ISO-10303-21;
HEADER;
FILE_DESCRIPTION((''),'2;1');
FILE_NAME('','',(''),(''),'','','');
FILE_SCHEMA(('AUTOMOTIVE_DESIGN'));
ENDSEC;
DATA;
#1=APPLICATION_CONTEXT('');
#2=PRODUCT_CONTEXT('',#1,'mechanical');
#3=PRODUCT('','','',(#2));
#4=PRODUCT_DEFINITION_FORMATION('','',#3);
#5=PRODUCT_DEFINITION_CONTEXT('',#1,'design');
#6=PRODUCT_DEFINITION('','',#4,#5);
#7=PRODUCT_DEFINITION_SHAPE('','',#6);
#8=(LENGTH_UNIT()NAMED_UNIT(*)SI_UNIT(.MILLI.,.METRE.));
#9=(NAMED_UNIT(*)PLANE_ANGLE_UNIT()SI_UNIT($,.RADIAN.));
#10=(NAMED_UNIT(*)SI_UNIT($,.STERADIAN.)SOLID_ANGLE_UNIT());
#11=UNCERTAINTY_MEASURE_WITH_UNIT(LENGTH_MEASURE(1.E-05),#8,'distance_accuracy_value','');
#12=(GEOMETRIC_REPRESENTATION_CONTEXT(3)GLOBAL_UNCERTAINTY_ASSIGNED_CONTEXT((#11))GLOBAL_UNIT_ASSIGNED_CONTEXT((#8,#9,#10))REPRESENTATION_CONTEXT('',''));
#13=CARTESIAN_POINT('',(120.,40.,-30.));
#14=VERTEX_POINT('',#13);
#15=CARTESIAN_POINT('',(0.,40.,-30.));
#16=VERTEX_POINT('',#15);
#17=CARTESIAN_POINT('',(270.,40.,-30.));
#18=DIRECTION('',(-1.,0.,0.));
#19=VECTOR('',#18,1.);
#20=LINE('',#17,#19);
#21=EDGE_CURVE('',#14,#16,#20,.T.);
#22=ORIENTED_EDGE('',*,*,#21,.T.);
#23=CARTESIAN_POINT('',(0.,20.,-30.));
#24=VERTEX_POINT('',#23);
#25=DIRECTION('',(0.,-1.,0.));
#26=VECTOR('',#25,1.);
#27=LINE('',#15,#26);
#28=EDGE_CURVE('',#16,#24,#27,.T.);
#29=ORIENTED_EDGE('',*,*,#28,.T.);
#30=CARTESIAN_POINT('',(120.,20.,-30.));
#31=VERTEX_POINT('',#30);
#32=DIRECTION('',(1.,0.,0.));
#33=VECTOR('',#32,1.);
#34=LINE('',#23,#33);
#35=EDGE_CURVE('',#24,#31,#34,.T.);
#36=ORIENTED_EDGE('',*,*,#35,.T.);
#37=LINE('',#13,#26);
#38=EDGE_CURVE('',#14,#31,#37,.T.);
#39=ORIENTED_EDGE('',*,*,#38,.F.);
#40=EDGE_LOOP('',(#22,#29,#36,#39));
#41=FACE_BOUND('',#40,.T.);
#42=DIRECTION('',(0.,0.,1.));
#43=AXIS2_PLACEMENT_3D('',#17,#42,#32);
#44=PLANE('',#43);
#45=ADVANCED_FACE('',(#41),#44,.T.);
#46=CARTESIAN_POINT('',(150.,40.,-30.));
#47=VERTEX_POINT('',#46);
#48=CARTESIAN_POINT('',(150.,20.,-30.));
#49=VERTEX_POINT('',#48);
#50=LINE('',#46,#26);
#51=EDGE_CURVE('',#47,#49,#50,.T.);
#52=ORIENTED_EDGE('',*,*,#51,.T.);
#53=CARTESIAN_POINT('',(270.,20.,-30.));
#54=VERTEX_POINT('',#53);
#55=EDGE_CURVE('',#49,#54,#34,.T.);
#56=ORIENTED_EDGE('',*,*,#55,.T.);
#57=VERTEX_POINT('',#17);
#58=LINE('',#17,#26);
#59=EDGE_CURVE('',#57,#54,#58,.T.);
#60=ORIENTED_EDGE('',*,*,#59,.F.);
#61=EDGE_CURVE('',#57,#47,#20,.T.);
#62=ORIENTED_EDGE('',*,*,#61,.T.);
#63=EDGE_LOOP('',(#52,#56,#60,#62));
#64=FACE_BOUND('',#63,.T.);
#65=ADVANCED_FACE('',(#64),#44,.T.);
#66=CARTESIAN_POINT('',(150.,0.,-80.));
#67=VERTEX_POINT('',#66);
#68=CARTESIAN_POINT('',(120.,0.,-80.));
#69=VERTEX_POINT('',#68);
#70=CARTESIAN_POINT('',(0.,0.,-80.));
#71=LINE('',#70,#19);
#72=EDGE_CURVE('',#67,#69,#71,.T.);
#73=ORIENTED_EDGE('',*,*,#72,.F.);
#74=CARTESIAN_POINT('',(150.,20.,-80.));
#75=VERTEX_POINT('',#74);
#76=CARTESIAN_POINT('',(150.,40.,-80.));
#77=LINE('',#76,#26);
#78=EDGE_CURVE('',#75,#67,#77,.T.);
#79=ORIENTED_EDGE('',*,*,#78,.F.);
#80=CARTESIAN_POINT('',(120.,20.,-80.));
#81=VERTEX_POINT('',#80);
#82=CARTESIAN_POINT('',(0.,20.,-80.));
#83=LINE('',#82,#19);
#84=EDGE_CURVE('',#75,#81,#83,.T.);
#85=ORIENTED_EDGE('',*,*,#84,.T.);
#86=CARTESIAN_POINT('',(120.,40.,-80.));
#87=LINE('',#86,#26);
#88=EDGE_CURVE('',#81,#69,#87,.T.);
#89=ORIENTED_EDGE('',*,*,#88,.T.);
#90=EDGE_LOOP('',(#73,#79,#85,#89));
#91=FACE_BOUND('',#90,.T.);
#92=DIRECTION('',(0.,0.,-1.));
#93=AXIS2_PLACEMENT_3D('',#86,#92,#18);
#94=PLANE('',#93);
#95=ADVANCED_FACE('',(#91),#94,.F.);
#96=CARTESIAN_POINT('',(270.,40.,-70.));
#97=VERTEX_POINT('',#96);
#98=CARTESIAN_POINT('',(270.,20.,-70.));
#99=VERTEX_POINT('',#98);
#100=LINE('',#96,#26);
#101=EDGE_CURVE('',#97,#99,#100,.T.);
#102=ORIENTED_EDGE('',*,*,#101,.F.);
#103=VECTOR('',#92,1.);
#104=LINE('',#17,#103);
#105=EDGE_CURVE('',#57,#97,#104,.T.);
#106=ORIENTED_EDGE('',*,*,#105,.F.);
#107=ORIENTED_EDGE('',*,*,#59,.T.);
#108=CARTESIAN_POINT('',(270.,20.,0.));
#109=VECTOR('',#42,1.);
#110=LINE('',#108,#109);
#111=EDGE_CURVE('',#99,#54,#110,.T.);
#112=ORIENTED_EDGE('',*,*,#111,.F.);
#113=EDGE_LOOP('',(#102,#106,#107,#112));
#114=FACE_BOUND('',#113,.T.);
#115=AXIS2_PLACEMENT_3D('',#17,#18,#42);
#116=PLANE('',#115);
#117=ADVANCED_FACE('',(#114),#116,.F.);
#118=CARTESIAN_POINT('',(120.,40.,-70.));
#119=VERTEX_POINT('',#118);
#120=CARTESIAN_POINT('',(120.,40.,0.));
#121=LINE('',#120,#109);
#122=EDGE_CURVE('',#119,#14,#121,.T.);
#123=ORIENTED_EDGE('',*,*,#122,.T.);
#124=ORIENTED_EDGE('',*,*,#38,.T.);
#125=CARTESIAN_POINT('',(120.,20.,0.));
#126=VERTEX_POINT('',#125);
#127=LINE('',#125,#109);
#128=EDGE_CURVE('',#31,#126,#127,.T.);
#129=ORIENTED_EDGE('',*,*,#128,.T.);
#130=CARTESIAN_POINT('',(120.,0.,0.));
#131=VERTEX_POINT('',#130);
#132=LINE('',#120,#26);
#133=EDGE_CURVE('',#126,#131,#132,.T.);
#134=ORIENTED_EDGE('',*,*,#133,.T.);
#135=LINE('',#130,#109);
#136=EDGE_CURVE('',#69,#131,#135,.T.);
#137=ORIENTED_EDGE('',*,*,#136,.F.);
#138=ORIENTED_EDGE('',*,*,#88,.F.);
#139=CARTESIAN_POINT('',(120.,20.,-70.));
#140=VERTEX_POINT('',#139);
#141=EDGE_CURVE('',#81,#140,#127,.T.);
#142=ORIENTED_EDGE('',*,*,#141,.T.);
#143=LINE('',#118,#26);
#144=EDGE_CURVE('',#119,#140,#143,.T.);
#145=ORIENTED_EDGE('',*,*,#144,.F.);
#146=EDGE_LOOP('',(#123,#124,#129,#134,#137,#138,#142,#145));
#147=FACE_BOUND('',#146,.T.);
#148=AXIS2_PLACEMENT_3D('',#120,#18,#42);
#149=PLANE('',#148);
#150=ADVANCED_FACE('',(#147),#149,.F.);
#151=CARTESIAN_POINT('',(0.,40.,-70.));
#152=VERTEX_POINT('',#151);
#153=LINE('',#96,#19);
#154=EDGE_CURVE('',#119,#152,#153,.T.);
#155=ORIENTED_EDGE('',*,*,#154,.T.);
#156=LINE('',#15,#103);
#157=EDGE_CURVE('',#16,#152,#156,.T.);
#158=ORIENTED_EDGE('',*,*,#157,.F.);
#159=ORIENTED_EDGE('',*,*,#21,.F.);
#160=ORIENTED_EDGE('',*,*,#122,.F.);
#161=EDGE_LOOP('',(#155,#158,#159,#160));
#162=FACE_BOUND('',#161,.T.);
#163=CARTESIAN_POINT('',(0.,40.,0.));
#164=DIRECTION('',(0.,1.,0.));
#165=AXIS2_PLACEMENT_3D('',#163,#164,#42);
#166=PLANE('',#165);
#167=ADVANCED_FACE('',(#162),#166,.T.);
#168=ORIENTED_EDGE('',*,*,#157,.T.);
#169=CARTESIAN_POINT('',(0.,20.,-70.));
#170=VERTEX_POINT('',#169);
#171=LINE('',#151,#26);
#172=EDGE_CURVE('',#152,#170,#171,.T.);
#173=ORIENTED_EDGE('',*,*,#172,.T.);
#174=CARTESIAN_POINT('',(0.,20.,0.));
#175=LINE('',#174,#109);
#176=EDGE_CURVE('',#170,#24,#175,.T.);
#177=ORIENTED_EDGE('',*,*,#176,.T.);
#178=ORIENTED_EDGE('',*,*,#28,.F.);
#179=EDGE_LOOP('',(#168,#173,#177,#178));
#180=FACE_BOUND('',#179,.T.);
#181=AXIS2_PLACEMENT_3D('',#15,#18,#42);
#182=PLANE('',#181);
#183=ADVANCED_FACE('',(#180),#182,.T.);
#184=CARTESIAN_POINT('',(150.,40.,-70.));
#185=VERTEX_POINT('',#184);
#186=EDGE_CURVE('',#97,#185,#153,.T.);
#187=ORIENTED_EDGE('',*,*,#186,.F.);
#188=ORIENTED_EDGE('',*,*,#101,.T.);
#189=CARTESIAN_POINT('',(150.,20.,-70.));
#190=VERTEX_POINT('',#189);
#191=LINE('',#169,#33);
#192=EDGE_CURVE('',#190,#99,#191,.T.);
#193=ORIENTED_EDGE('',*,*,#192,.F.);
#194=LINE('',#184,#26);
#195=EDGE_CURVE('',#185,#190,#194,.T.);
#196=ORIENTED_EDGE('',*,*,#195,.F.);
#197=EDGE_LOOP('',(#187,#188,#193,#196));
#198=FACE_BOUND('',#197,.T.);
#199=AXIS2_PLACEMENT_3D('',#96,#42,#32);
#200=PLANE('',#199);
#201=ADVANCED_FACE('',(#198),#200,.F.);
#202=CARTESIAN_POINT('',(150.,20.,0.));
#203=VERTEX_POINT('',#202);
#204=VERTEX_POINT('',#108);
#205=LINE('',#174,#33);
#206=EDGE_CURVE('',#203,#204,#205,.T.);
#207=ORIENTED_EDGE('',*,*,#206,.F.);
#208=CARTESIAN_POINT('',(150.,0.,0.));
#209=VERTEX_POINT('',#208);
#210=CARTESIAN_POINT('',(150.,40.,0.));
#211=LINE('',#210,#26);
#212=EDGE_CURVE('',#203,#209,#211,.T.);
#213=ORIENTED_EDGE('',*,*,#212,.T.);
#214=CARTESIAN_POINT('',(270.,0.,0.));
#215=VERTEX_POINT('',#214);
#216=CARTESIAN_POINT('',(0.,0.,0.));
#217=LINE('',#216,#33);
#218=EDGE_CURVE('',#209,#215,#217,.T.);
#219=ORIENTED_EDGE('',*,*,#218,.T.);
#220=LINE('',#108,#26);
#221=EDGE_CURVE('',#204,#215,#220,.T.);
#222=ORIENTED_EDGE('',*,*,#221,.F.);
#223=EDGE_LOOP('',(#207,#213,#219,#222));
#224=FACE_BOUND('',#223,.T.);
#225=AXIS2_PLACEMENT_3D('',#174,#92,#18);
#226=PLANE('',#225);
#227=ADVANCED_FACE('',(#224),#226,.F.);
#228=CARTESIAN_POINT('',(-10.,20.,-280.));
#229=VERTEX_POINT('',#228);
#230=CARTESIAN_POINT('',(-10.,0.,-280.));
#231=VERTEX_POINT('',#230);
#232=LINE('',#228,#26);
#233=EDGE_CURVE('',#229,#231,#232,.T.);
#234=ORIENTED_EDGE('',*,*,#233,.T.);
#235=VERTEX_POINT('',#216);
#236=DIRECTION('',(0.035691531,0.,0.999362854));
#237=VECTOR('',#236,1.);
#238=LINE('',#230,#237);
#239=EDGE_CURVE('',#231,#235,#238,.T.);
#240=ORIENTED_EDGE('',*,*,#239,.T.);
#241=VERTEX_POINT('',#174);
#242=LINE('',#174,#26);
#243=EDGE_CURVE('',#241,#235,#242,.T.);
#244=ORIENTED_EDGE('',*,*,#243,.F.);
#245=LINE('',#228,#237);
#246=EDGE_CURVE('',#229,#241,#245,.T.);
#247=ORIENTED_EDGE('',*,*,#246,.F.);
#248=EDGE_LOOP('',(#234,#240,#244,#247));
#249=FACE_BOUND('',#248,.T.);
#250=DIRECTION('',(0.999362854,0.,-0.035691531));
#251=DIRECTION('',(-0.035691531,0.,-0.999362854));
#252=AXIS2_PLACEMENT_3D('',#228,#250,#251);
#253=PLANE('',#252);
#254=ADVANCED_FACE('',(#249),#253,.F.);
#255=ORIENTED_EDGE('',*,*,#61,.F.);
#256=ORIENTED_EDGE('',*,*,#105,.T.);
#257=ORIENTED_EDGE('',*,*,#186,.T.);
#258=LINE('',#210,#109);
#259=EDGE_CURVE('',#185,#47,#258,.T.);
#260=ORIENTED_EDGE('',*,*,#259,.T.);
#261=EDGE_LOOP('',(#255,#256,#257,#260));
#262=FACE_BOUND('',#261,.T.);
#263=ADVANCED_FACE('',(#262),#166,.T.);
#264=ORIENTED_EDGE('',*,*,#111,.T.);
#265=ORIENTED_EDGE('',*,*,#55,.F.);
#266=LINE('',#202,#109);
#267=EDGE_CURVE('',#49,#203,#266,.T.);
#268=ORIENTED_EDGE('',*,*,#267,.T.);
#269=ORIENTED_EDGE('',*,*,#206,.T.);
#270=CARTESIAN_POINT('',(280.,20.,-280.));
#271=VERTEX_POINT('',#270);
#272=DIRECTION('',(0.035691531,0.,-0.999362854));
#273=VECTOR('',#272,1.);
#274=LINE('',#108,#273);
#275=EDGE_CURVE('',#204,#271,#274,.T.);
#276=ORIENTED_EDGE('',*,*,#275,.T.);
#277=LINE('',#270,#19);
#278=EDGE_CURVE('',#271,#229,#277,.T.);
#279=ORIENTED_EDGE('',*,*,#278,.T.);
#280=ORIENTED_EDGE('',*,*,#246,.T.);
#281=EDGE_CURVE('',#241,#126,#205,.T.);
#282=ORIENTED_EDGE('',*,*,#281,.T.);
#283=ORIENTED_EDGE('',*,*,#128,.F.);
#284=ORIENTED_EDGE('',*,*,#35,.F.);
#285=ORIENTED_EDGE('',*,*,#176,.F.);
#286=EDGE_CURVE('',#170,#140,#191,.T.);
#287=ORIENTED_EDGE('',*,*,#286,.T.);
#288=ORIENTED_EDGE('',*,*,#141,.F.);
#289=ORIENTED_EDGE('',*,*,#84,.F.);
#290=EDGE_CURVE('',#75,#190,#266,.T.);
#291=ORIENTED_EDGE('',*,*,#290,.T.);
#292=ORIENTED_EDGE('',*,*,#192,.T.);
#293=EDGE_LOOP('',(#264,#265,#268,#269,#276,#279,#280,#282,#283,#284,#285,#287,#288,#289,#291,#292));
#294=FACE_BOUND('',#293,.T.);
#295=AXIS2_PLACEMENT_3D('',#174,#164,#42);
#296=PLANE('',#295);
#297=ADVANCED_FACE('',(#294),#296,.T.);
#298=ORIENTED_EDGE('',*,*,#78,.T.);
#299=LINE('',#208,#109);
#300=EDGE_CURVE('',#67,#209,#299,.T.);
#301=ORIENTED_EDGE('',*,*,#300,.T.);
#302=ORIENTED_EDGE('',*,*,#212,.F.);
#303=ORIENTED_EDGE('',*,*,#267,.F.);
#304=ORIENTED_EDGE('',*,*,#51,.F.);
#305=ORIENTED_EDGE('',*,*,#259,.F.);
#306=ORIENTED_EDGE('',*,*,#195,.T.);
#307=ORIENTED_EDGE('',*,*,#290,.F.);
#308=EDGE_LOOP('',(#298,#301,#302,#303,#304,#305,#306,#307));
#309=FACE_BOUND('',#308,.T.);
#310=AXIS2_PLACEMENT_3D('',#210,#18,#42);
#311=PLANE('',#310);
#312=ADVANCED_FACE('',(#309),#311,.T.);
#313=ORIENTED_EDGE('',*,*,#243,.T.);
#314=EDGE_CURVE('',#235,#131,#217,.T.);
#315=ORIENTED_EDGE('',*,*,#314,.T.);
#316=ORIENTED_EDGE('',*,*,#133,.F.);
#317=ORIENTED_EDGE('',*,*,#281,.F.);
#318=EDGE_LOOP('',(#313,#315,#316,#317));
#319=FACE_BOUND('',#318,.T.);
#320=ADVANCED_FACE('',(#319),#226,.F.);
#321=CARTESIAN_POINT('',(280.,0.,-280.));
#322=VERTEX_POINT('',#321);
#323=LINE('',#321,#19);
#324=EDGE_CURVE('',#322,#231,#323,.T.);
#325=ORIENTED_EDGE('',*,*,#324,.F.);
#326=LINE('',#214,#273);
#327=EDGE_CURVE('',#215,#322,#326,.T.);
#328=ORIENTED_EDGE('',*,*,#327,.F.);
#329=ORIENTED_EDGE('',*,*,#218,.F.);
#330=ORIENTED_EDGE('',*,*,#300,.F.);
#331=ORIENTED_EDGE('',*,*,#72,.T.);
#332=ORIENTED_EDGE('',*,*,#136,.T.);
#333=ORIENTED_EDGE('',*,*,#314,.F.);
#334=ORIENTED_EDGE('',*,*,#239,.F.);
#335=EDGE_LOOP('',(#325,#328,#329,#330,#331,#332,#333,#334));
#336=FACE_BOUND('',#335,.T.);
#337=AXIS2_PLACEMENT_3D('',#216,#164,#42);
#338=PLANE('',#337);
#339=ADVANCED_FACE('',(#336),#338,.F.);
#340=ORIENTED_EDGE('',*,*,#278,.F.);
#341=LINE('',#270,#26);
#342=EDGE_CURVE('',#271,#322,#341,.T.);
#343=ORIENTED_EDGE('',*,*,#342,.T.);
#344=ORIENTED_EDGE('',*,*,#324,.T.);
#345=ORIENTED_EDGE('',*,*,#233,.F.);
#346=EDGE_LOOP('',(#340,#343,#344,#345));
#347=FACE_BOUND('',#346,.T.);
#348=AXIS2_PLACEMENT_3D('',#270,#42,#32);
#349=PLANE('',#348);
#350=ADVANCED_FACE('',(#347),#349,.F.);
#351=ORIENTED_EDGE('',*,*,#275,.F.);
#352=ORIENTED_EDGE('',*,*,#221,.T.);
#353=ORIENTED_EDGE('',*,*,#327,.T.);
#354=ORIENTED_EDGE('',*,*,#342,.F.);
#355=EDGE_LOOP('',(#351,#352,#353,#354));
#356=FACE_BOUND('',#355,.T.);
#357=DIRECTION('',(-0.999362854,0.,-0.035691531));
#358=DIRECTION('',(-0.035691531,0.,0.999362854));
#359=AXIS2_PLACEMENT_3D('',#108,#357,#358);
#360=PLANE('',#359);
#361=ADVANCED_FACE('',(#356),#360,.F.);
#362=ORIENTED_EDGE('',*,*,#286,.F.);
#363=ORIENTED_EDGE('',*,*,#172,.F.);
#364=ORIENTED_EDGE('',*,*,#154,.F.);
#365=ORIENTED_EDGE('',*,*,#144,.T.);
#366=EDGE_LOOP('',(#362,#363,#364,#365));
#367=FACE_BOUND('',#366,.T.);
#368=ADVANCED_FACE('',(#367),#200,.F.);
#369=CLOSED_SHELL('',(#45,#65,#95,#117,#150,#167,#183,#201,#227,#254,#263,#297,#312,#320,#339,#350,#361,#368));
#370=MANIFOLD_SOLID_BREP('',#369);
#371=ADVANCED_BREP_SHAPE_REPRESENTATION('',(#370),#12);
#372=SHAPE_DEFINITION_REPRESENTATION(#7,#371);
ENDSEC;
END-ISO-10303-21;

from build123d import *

# Parameters (mm, degrees)
BOSS_EXTRUDE2_DEPTH     = 20
SKETCH1_7_W             = 270
SKETCH1_7_H             = 40
BOSS_EXTRUDE3_DEPTH     = 40
SKETCH1_9_W             = 30
SKETCH1_9_H             = 80
CUT_EXTRUDE4_DEPTH      = 41
CUT_EXTRUDE4_DEPTH_BACK = 1


with BuildPart() as part:
    # Sketch1 → Boss-Extrude2 (new body)
    with BuildSketch(Plane(origin=(0, 0, 0), x_dir=(1, 0, 0), z_dir=(0, 1, 0))):
        Polygon((0, 0), (270, 0), (280, 280), (-10, 280), align=None)
    extrude(amount=BOSS_EXTRUDE2_DEPTH)

    # Sketch1_7 → Boss-Extrude3 (add)
    with BuildSketch(Plane(origin=(0, 0, 0), x_dir=(1, 0, 0), z_dir=(0, 1, 0))):
        with Locations((135, 50)):
            Rectangle(SKETCH1_7_W, SKETCH1_7_H)
    extrude(amount=BOSS_EXTRUDE3_DEPTH)

    # Sketch1_9 → Cut-Extrude4 (cut, two sides)
    with BuildSketch(Plane(origin=(0, 0, 0), x_dir=(1, 0, 0), z_dir=(0, 1, 0))) as cut_extrude4_sk:
        with Locations((135, 40)):
            Rectangle(SKETCH1_9_W, SKETCH1_9_H)
    extrude(amount=CUT_EXTRUDE4_DEPTH, mode=Mode.SUBTRACT)
    extrude(cut_extrude4_sk.sketch, amount=-CUT_EXTRUDE4_DEPTH_BACK, mode=Mode.SUBTRACT)


solid = part.part
